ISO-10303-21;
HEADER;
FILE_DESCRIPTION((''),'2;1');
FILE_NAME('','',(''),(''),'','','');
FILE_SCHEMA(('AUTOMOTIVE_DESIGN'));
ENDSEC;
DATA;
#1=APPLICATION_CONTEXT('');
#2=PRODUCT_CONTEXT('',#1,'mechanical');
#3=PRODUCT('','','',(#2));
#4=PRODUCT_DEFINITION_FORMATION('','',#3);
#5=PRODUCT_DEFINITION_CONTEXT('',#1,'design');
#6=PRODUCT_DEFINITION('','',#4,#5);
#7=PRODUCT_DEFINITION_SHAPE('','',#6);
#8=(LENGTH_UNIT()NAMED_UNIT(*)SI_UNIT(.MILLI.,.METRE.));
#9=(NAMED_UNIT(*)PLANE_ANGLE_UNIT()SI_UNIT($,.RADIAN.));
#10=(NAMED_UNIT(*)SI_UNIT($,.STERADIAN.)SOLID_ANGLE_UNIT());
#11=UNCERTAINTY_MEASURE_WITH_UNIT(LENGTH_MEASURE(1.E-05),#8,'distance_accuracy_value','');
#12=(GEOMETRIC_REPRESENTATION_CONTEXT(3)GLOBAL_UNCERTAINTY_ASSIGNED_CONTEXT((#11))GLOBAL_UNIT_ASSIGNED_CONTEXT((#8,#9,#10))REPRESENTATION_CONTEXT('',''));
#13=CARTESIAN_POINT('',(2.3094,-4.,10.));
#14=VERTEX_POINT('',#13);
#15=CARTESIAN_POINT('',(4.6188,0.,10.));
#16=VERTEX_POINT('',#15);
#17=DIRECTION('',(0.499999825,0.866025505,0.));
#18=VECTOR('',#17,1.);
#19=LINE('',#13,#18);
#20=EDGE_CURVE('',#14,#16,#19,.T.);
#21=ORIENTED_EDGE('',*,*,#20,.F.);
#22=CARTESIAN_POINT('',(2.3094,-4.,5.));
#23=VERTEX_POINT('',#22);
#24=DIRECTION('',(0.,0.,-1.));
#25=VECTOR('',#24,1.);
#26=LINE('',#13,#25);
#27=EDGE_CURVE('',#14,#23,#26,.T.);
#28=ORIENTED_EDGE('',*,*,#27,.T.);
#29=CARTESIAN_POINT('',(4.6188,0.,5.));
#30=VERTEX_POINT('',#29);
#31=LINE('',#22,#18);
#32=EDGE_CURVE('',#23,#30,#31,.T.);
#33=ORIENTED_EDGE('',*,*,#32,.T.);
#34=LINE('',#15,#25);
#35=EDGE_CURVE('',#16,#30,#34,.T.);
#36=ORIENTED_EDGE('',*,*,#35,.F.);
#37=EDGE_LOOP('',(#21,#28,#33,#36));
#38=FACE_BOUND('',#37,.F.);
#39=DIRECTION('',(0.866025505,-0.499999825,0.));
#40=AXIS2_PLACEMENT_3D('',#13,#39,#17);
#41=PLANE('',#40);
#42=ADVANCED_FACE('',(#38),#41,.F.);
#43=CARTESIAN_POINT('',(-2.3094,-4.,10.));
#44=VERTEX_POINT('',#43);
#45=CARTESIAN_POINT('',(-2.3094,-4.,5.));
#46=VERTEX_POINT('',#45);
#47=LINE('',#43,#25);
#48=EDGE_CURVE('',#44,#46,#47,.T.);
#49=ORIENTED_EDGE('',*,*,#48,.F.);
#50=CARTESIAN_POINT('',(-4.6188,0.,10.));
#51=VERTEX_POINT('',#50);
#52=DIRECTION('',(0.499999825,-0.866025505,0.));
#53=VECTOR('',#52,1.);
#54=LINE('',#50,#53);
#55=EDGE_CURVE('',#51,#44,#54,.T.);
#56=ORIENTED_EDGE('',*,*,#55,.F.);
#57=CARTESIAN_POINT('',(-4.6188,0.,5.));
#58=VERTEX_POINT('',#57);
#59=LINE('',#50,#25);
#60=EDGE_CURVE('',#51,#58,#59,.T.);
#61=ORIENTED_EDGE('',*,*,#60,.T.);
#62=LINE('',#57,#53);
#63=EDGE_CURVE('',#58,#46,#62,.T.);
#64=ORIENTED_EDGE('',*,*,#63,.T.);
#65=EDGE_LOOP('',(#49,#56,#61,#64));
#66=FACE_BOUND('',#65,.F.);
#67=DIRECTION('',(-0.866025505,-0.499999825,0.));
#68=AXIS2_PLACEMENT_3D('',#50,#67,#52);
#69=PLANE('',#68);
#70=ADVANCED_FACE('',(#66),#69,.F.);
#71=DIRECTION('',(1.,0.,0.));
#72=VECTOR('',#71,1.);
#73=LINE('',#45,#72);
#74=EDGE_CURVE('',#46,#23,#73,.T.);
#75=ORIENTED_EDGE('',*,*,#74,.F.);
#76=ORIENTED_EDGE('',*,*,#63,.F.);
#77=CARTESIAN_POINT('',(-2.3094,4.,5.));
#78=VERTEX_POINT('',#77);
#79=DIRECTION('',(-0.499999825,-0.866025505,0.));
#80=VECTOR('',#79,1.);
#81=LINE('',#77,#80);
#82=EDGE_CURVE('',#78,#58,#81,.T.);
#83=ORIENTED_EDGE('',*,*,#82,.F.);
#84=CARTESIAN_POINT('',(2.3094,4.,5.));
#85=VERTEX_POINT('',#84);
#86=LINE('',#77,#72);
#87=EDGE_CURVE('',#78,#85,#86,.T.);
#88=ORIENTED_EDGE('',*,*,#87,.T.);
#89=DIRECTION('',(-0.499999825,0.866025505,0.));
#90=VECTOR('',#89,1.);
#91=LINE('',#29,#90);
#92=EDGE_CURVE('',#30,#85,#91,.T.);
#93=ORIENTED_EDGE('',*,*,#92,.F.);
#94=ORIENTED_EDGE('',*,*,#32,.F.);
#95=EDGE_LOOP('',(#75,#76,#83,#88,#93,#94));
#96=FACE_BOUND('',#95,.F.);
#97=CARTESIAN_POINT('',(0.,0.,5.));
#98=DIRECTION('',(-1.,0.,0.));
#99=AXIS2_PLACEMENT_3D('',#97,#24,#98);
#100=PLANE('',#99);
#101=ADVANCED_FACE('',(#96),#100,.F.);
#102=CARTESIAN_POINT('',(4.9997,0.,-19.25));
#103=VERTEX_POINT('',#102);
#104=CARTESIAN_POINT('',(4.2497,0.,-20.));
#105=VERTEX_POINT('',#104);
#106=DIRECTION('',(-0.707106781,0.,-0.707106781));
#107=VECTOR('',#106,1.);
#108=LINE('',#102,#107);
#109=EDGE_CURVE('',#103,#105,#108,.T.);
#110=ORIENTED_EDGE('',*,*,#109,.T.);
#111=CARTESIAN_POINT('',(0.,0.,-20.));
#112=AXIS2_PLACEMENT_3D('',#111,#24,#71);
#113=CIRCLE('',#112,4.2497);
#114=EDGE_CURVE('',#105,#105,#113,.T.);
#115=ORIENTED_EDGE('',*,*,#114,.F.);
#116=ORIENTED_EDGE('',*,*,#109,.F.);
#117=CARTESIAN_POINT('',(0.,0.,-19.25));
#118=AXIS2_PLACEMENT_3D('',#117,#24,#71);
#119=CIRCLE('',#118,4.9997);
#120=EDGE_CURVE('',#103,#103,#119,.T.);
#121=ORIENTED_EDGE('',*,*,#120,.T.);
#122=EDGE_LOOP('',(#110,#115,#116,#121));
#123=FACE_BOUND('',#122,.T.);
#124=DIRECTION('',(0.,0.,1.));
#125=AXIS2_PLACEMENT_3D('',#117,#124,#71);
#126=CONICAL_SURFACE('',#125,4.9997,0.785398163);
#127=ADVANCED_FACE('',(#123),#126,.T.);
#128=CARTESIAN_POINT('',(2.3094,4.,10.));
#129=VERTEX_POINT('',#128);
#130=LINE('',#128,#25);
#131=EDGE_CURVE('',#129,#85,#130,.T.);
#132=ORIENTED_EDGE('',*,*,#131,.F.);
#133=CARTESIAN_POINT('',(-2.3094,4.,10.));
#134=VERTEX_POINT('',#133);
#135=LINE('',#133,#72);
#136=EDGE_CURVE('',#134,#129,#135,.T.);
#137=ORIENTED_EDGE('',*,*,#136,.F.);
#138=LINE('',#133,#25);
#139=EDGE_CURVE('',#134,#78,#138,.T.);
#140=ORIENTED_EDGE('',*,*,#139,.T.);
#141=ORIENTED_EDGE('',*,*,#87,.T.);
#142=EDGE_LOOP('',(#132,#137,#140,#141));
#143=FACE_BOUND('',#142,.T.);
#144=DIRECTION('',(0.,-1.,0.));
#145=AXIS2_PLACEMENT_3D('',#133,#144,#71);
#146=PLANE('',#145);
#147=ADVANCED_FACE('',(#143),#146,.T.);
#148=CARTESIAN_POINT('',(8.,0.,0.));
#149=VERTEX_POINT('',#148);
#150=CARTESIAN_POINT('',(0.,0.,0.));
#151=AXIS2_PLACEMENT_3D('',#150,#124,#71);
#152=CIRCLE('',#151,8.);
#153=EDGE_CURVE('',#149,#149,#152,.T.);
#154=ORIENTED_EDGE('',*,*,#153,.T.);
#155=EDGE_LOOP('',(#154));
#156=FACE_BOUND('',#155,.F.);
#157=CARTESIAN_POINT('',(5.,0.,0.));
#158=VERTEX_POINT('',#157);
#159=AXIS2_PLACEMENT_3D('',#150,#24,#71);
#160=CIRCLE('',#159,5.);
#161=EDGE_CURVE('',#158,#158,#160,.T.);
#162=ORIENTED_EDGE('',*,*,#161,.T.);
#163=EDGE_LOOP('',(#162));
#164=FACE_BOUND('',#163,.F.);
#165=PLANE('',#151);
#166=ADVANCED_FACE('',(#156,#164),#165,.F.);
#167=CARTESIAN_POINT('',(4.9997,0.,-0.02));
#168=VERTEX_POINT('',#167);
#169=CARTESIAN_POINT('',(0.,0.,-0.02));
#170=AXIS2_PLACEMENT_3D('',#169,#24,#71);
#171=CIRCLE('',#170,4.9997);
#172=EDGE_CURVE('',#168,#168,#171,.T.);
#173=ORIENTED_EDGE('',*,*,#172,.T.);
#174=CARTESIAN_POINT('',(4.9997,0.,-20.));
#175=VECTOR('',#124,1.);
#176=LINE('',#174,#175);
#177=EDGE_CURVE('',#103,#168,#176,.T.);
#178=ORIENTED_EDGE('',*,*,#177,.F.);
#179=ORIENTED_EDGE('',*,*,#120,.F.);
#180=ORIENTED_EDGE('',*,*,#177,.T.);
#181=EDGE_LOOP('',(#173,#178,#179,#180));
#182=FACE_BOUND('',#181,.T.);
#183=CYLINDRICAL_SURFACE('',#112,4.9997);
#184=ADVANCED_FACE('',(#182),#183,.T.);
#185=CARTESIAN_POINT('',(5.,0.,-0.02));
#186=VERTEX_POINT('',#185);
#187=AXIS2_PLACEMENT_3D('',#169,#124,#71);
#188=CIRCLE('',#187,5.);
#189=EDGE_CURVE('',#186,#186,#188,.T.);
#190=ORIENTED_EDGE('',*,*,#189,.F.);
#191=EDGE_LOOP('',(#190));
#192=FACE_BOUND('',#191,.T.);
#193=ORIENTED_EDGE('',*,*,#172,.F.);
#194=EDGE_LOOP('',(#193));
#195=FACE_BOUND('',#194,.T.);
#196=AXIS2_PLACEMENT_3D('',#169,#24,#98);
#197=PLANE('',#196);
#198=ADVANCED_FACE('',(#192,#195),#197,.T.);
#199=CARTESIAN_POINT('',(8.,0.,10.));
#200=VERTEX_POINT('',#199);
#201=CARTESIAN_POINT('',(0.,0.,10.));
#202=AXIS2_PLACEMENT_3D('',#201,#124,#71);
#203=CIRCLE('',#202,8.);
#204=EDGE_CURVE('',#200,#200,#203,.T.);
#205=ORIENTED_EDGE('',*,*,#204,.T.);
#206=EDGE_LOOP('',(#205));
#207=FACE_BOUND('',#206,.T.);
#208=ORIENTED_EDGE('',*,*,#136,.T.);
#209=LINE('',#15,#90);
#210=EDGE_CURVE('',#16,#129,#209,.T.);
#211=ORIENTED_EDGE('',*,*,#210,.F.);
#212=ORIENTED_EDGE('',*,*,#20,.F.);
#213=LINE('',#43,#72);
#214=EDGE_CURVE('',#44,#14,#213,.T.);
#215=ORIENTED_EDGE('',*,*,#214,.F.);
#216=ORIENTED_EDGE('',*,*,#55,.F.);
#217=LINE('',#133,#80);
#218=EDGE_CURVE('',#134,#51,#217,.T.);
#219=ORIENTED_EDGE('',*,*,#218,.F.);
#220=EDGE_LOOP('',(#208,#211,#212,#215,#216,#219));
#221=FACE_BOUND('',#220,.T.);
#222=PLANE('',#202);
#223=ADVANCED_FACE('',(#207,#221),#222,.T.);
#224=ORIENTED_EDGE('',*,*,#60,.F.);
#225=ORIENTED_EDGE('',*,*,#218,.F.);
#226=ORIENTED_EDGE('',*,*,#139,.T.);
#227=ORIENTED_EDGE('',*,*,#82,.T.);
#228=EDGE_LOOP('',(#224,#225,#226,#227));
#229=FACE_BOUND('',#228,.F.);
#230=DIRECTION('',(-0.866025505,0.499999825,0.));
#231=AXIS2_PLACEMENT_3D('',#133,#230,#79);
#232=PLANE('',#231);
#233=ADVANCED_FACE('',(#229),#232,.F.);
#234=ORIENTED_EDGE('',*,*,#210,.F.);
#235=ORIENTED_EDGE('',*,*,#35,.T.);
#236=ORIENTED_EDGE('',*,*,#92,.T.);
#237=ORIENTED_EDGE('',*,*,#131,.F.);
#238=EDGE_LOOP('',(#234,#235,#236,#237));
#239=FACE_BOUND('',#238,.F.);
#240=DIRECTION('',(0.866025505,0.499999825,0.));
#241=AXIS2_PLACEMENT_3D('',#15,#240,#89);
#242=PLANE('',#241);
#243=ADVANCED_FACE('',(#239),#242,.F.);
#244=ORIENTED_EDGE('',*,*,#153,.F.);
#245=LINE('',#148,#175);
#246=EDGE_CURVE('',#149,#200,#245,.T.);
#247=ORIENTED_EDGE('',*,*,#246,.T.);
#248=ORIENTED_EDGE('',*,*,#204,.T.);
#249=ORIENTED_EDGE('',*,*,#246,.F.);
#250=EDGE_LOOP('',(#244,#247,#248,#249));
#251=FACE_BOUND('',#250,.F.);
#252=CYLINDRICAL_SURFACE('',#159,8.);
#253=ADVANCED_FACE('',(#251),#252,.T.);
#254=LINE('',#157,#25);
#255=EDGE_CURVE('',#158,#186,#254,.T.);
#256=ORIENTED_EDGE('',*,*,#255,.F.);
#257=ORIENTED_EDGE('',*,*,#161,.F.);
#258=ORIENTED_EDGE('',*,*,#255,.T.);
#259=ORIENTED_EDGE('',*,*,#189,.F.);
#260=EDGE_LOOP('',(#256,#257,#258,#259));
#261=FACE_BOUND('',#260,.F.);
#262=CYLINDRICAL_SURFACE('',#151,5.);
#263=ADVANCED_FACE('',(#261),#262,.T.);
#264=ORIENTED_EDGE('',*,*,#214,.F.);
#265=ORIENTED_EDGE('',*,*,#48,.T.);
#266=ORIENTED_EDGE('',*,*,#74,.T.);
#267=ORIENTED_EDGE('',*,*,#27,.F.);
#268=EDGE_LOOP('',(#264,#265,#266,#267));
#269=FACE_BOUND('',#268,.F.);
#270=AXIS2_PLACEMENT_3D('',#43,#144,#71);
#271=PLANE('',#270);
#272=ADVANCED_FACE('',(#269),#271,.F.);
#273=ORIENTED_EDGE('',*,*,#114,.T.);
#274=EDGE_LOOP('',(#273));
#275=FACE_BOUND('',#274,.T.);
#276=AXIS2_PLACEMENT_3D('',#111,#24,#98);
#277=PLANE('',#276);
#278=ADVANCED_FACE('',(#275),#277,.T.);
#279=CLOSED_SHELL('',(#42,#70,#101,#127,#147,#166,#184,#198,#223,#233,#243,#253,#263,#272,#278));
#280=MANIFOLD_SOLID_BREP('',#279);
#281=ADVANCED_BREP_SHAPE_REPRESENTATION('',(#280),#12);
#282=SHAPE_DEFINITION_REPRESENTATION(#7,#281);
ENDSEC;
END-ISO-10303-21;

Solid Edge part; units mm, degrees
sketch "Sketch1" plane through (0, 0, 0) normal (0, 0, 1) x (1, 0, 0)
  circle A0 centre (0, 0) radius 8
  dimension "D1" = 16
extrude "Protrusion1" add sketch "Sketch1" along normal blind 10
sketch "Sketch2" plane through (0, 0, 0) normal (0, 0, -1) x (1, 0, 0)
  circle A0 centre (0, 0) radius 5
extrude "Protrusion2" add sketch "Sketch2" along normal blind 20
sketch "Sketch3" plane through (0, 0, -20) normal (0, 0, -1) x (1, 0, 0)
  circle A0 centre (0, 0) radius 4.9997
extrude "Cutout1" cut sketch "Sketch3" against normal blind 19.98 flip side to cut
chamfer "Chamfer_1" distance 0.75 angle 45 1 edges at (-4.9997, 0, -20)
sketch "Sketch4" plane through (0, 0, 10) normal (0, 0, 1) x (1, 0, 0)
  line L0 (-2.3094, 4) -> (2.3094, 4)
  line L1 (4.6188, 0) -> (2.3094, 4)
  line L2 (2.3094, -4) -> (4.6188, 0)
  line L3 (-2.3094, -4) -> (2.3094, -4)
  line L4 (-4.6188, 0) -> (-2.3094, -4)
  line L5 (-2.3094, 4) -> (-4.6188, 0)
  dimension "D1" = 8
extrude "Cutout2" cut sketch "Sketch4" against normal blind 5
properties part number "24104591"
